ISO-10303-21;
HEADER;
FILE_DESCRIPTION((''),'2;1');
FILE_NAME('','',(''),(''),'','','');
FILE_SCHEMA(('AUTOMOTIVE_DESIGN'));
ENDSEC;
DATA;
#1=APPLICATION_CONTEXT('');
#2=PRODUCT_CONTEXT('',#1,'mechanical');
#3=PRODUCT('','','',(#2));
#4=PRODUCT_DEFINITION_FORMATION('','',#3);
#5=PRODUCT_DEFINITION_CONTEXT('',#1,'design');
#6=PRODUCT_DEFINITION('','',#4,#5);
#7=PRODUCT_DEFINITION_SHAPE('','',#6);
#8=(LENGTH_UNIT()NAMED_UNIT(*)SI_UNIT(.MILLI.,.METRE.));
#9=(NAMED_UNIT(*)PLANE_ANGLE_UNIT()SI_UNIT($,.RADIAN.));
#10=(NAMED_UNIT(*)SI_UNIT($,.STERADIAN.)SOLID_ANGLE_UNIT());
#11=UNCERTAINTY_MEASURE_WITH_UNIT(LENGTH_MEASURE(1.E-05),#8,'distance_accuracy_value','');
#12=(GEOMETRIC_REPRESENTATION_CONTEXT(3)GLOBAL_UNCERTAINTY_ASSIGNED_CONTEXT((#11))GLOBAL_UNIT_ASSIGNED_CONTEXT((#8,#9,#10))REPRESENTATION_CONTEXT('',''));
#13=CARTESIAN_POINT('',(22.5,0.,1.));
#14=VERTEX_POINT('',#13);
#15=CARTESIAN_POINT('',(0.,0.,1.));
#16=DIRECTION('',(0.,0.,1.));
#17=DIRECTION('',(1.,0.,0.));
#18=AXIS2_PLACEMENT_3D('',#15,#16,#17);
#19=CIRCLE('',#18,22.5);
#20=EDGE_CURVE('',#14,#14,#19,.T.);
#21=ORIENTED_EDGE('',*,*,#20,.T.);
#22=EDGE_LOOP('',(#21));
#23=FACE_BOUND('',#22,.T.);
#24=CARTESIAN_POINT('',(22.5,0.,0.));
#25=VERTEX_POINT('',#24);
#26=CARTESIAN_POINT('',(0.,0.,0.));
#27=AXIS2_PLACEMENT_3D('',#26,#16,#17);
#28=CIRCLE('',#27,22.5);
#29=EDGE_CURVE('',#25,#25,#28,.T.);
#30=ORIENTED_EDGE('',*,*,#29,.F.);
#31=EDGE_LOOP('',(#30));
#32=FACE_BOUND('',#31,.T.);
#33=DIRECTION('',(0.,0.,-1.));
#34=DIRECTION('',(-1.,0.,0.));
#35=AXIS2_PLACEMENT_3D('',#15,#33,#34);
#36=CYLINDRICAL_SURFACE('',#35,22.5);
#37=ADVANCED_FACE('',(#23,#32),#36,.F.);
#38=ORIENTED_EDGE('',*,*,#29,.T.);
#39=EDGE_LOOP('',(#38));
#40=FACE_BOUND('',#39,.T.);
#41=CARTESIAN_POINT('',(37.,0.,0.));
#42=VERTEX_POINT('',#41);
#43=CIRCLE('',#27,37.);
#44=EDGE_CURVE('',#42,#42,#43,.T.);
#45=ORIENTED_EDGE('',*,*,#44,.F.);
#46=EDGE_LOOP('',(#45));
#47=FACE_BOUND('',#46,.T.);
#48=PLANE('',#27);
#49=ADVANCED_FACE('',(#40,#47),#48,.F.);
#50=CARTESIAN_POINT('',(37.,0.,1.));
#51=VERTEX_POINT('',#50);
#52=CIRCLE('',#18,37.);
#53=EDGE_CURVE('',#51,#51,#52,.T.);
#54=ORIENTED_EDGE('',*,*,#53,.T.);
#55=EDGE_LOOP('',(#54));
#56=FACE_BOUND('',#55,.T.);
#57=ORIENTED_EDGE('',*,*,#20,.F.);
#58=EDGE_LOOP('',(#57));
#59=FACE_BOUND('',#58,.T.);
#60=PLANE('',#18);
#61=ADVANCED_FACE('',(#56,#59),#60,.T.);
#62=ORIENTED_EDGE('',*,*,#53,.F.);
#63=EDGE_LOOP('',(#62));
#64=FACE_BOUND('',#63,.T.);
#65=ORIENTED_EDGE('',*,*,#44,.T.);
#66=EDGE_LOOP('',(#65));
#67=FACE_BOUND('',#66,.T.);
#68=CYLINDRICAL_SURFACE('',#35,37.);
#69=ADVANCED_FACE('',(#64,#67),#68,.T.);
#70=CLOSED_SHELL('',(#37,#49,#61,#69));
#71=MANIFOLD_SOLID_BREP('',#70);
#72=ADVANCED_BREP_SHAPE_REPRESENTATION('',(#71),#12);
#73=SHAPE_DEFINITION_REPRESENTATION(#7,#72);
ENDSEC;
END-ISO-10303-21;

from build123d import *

# Parameters (mm, degrees)
SKETCH_1_R      = 37
SKETCH_1_R_2    = 22.5
EXTRUDE_1_DEPTH = 1


with BuildPart() as part:
    # Эскиз1 → Бобышка-Вытянуть1 (new body)
    with BuildSketch(Plane.XY):
        Circle(SKETCH_1_R)
        Circle(SKETCH_1_R_2, mode=Mode.SUBTRACT)
    extrude(amount=EXTRUDE_1_DEPTH)


solid = part.part
